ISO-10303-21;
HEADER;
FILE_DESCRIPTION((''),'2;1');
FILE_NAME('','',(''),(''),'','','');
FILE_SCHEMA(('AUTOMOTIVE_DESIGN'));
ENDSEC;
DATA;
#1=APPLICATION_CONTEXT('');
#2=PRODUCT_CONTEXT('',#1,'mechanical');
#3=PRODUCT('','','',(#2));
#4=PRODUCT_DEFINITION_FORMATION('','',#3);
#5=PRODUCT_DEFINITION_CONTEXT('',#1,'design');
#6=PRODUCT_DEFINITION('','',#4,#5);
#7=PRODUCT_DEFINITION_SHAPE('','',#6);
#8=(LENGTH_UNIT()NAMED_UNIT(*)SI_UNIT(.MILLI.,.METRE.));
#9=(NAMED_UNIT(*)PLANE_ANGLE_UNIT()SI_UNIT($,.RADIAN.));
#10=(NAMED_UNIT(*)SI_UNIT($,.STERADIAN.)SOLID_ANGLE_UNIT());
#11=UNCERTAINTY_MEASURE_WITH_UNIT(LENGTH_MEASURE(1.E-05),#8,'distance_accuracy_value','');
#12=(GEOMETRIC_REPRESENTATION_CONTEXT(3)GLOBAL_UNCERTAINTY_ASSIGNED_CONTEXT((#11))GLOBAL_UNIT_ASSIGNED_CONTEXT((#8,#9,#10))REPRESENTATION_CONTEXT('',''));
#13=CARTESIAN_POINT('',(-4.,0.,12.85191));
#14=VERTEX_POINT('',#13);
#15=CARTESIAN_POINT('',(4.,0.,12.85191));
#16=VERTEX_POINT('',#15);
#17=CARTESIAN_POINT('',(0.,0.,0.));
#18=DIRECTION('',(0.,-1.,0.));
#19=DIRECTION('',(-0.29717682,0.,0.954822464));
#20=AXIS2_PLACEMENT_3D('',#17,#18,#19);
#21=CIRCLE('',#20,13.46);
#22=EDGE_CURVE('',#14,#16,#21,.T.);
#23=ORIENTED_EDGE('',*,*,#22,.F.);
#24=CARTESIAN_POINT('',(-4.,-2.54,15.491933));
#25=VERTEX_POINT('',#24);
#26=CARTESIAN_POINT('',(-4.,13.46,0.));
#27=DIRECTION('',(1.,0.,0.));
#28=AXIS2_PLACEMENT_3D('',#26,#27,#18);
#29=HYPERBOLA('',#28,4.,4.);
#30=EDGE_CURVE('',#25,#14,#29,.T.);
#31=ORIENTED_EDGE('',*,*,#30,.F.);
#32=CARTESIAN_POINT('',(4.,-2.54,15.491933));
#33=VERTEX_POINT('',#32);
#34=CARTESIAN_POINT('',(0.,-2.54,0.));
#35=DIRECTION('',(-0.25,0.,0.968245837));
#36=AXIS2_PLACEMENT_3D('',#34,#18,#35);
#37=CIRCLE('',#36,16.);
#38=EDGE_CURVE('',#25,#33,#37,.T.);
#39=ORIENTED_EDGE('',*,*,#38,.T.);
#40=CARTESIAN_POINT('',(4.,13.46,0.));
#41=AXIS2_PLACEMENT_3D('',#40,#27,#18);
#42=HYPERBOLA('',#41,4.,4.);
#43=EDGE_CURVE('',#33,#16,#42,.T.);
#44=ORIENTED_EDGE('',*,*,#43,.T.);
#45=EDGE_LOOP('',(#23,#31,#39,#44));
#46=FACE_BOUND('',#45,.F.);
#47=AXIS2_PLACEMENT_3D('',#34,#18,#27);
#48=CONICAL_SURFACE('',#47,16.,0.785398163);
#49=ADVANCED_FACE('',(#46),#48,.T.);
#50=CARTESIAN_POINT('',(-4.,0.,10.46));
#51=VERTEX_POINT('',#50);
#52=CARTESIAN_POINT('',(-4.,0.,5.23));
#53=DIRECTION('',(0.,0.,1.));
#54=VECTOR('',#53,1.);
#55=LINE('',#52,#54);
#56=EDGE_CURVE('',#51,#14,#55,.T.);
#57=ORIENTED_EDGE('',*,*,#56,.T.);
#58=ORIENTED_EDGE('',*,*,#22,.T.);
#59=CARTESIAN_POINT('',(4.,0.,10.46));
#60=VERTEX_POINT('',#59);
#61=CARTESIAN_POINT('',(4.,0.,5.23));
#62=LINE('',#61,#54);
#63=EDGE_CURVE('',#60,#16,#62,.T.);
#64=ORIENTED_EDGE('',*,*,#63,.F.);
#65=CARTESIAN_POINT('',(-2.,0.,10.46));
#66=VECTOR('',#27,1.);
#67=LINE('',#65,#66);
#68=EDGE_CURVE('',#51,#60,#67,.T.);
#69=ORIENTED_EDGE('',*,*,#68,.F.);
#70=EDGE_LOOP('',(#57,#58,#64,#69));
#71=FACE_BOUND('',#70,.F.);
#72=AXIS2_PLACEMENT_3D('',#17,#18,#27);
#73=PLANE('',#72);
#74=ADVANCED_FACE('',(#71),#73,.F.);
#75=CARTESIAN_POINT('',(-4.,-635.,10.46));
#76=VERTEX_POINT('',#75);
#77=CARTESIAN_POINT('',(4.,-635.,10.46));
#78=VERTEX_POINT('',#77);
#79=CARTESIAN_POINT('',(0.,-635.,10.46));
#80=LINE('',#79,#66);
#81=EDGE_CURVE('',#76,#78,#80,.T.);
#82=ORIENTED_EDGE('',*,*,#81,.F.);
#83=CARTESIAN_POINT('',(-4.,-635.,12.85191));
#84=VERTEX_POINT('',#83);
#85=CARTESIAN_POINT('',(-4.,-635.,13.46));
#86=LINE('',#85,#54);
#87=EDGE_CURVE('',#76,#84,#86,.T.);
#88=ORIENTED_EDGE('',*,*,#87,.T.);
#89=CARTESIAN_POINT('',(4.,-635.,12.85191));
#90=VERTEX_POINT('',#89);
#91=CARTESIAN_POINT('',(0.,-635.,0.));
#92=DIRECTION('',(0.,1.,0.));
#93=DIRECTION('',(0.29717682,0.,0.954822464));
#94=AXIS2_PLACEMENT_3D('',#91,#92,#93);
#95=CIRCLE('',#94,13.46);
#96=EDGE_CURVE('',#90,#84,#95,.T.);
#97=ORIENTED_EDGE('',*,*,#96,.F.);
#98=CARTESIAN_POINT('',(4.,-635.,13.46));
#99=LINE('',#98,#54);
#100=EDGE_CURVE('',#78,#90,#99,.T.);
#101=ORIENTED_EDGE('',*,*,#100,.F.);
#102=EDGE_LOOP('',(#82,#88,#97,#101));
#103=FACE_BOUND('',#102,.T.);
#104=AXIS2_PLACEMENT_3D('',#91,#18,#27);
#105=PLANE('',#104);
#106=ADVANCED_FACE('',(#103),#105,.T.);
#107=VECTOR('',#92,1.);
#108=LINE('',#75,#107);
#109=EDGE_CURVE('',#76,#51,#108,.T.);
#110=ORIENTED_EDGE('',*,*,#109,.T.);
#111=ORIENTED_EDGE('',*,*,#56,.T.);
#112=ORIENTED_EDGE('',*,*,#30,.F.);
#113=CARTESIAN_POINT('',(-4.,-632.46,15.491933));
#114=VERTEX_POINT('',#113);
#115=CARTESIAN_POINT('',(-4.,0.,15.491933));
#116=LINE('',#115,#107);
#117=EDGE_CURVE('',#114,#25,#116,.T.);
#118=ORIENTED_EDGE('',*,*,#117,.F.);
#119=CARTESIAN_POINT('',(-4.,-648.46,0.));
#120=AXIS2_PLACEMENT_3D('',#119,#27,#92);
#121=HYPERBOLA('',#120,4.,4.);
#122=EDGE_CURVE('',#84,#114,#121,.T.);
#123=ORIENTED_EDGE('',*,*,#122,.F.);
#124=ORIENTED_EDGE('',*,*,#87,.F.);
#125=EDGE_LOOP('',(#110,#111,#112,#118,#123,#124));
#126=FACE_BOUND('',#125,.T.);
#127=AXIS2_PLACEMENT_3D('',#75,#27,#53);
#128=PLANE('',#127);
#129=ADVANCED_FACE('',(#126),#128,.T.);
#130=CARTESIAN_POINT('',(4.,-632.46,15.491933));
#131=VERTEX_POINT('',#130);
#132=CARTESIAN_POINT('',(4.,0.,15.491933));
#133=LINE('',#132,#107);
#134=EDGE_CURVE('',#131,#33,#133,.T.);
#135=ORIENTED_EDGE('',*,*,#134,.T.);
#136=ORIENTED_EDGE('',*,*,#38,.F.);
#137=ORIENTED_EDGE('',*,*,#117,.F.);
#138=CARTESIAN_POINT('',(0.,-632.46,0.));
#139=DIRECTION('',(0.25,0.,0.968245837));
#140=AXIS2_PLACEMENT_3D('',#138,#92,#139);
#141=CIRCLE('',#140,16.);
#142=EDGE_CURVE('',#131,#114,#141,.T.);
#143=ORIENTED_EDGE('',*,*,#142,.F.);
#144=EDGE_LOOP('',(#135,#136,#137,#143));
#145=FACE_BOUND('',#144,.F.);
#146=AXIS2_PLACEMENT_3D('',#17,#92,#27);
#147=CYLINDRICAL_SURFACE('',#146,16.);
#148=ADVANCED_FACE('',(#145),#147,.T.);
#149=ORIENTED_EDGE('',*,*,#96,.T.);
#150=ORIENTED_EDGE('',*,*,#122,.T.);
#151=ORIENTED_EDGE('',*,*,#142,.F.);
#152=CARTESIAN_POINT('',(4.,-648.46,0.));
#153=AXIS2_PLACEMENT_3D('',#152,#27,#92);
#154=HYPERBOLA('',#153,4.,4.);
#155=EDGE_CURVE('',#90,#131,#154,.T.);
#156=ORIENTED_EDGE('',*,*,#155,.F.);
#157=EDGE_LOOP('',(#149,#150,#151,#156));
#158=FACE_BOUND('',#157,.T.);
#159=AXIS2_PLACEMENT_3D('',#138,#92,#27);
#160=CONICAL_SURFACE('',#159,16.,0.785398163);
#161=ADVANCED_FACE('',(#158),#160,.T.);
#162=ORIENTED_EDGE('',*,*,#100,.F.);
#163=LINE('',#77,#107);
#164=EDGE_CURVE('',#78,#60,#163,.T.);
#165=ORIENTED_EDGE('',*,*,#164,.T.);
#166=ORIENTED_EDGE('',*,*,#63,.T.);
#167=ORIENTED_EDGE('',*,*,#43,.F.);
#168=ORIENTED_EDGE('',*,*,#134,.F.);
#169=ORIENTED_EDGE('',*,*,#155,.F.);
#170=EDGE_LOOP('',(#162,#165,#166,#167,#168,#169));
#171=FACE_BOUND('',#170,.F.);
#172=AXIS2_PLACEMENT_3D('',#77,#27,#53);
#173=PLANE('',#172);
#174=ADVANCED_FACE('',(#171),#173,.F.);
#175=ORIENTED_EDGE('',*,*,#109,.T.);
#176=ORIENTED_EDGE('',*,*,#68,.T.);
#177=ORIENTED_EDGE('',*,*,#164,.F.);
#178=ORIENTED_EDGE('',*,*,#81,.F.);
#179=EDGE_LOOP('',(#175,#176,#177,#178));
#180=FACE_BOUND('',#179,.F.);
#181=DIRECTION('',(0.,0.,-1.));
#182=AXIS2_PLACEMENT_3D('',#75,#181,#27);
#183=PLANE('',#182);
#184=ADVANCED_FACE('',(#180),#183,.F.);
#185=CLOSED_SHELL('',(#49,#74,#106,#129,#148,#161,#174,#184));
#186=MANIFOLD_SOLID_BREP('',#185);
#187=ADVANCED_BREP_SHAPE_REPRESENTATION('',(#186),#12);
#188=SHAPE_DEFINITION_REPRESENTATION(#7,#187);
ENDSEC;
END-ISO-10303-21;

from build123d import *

# Parameters (mm, degrees)
F0_R     = 16
F1_DEPTH = 635
F2_SIZE  = 2.54
F3_W     = 8
F3_H     = 6
F4_DEPTH = 635.001


with BuildPart() as f1:
    # F0 (on Front) → F1 (new body)
    with BuildSketch(Plane.XZ):
        Circle(F0_R)
    extrude(amount=F1_DEPTH)

    # F2
    f2_edges = [f1.edges().sort_by_distance(p)[0] for p in [
        (-16, 0, 0),
        (-16, -635, 0),
    ]]
    chamfer(f2_edges, length=F2_SIZE)

    # F3 (on face) → F4 (cut, through all)
    with BuildSketch(Plane.XZ.offset(635)):
        with Locations((0, 13.46)):
            Rectangle(F3_W, F3_H)
    extrude(amount=-F4_DEPTH, mode=Mode.SUBTRACT)


solid = f1.part
